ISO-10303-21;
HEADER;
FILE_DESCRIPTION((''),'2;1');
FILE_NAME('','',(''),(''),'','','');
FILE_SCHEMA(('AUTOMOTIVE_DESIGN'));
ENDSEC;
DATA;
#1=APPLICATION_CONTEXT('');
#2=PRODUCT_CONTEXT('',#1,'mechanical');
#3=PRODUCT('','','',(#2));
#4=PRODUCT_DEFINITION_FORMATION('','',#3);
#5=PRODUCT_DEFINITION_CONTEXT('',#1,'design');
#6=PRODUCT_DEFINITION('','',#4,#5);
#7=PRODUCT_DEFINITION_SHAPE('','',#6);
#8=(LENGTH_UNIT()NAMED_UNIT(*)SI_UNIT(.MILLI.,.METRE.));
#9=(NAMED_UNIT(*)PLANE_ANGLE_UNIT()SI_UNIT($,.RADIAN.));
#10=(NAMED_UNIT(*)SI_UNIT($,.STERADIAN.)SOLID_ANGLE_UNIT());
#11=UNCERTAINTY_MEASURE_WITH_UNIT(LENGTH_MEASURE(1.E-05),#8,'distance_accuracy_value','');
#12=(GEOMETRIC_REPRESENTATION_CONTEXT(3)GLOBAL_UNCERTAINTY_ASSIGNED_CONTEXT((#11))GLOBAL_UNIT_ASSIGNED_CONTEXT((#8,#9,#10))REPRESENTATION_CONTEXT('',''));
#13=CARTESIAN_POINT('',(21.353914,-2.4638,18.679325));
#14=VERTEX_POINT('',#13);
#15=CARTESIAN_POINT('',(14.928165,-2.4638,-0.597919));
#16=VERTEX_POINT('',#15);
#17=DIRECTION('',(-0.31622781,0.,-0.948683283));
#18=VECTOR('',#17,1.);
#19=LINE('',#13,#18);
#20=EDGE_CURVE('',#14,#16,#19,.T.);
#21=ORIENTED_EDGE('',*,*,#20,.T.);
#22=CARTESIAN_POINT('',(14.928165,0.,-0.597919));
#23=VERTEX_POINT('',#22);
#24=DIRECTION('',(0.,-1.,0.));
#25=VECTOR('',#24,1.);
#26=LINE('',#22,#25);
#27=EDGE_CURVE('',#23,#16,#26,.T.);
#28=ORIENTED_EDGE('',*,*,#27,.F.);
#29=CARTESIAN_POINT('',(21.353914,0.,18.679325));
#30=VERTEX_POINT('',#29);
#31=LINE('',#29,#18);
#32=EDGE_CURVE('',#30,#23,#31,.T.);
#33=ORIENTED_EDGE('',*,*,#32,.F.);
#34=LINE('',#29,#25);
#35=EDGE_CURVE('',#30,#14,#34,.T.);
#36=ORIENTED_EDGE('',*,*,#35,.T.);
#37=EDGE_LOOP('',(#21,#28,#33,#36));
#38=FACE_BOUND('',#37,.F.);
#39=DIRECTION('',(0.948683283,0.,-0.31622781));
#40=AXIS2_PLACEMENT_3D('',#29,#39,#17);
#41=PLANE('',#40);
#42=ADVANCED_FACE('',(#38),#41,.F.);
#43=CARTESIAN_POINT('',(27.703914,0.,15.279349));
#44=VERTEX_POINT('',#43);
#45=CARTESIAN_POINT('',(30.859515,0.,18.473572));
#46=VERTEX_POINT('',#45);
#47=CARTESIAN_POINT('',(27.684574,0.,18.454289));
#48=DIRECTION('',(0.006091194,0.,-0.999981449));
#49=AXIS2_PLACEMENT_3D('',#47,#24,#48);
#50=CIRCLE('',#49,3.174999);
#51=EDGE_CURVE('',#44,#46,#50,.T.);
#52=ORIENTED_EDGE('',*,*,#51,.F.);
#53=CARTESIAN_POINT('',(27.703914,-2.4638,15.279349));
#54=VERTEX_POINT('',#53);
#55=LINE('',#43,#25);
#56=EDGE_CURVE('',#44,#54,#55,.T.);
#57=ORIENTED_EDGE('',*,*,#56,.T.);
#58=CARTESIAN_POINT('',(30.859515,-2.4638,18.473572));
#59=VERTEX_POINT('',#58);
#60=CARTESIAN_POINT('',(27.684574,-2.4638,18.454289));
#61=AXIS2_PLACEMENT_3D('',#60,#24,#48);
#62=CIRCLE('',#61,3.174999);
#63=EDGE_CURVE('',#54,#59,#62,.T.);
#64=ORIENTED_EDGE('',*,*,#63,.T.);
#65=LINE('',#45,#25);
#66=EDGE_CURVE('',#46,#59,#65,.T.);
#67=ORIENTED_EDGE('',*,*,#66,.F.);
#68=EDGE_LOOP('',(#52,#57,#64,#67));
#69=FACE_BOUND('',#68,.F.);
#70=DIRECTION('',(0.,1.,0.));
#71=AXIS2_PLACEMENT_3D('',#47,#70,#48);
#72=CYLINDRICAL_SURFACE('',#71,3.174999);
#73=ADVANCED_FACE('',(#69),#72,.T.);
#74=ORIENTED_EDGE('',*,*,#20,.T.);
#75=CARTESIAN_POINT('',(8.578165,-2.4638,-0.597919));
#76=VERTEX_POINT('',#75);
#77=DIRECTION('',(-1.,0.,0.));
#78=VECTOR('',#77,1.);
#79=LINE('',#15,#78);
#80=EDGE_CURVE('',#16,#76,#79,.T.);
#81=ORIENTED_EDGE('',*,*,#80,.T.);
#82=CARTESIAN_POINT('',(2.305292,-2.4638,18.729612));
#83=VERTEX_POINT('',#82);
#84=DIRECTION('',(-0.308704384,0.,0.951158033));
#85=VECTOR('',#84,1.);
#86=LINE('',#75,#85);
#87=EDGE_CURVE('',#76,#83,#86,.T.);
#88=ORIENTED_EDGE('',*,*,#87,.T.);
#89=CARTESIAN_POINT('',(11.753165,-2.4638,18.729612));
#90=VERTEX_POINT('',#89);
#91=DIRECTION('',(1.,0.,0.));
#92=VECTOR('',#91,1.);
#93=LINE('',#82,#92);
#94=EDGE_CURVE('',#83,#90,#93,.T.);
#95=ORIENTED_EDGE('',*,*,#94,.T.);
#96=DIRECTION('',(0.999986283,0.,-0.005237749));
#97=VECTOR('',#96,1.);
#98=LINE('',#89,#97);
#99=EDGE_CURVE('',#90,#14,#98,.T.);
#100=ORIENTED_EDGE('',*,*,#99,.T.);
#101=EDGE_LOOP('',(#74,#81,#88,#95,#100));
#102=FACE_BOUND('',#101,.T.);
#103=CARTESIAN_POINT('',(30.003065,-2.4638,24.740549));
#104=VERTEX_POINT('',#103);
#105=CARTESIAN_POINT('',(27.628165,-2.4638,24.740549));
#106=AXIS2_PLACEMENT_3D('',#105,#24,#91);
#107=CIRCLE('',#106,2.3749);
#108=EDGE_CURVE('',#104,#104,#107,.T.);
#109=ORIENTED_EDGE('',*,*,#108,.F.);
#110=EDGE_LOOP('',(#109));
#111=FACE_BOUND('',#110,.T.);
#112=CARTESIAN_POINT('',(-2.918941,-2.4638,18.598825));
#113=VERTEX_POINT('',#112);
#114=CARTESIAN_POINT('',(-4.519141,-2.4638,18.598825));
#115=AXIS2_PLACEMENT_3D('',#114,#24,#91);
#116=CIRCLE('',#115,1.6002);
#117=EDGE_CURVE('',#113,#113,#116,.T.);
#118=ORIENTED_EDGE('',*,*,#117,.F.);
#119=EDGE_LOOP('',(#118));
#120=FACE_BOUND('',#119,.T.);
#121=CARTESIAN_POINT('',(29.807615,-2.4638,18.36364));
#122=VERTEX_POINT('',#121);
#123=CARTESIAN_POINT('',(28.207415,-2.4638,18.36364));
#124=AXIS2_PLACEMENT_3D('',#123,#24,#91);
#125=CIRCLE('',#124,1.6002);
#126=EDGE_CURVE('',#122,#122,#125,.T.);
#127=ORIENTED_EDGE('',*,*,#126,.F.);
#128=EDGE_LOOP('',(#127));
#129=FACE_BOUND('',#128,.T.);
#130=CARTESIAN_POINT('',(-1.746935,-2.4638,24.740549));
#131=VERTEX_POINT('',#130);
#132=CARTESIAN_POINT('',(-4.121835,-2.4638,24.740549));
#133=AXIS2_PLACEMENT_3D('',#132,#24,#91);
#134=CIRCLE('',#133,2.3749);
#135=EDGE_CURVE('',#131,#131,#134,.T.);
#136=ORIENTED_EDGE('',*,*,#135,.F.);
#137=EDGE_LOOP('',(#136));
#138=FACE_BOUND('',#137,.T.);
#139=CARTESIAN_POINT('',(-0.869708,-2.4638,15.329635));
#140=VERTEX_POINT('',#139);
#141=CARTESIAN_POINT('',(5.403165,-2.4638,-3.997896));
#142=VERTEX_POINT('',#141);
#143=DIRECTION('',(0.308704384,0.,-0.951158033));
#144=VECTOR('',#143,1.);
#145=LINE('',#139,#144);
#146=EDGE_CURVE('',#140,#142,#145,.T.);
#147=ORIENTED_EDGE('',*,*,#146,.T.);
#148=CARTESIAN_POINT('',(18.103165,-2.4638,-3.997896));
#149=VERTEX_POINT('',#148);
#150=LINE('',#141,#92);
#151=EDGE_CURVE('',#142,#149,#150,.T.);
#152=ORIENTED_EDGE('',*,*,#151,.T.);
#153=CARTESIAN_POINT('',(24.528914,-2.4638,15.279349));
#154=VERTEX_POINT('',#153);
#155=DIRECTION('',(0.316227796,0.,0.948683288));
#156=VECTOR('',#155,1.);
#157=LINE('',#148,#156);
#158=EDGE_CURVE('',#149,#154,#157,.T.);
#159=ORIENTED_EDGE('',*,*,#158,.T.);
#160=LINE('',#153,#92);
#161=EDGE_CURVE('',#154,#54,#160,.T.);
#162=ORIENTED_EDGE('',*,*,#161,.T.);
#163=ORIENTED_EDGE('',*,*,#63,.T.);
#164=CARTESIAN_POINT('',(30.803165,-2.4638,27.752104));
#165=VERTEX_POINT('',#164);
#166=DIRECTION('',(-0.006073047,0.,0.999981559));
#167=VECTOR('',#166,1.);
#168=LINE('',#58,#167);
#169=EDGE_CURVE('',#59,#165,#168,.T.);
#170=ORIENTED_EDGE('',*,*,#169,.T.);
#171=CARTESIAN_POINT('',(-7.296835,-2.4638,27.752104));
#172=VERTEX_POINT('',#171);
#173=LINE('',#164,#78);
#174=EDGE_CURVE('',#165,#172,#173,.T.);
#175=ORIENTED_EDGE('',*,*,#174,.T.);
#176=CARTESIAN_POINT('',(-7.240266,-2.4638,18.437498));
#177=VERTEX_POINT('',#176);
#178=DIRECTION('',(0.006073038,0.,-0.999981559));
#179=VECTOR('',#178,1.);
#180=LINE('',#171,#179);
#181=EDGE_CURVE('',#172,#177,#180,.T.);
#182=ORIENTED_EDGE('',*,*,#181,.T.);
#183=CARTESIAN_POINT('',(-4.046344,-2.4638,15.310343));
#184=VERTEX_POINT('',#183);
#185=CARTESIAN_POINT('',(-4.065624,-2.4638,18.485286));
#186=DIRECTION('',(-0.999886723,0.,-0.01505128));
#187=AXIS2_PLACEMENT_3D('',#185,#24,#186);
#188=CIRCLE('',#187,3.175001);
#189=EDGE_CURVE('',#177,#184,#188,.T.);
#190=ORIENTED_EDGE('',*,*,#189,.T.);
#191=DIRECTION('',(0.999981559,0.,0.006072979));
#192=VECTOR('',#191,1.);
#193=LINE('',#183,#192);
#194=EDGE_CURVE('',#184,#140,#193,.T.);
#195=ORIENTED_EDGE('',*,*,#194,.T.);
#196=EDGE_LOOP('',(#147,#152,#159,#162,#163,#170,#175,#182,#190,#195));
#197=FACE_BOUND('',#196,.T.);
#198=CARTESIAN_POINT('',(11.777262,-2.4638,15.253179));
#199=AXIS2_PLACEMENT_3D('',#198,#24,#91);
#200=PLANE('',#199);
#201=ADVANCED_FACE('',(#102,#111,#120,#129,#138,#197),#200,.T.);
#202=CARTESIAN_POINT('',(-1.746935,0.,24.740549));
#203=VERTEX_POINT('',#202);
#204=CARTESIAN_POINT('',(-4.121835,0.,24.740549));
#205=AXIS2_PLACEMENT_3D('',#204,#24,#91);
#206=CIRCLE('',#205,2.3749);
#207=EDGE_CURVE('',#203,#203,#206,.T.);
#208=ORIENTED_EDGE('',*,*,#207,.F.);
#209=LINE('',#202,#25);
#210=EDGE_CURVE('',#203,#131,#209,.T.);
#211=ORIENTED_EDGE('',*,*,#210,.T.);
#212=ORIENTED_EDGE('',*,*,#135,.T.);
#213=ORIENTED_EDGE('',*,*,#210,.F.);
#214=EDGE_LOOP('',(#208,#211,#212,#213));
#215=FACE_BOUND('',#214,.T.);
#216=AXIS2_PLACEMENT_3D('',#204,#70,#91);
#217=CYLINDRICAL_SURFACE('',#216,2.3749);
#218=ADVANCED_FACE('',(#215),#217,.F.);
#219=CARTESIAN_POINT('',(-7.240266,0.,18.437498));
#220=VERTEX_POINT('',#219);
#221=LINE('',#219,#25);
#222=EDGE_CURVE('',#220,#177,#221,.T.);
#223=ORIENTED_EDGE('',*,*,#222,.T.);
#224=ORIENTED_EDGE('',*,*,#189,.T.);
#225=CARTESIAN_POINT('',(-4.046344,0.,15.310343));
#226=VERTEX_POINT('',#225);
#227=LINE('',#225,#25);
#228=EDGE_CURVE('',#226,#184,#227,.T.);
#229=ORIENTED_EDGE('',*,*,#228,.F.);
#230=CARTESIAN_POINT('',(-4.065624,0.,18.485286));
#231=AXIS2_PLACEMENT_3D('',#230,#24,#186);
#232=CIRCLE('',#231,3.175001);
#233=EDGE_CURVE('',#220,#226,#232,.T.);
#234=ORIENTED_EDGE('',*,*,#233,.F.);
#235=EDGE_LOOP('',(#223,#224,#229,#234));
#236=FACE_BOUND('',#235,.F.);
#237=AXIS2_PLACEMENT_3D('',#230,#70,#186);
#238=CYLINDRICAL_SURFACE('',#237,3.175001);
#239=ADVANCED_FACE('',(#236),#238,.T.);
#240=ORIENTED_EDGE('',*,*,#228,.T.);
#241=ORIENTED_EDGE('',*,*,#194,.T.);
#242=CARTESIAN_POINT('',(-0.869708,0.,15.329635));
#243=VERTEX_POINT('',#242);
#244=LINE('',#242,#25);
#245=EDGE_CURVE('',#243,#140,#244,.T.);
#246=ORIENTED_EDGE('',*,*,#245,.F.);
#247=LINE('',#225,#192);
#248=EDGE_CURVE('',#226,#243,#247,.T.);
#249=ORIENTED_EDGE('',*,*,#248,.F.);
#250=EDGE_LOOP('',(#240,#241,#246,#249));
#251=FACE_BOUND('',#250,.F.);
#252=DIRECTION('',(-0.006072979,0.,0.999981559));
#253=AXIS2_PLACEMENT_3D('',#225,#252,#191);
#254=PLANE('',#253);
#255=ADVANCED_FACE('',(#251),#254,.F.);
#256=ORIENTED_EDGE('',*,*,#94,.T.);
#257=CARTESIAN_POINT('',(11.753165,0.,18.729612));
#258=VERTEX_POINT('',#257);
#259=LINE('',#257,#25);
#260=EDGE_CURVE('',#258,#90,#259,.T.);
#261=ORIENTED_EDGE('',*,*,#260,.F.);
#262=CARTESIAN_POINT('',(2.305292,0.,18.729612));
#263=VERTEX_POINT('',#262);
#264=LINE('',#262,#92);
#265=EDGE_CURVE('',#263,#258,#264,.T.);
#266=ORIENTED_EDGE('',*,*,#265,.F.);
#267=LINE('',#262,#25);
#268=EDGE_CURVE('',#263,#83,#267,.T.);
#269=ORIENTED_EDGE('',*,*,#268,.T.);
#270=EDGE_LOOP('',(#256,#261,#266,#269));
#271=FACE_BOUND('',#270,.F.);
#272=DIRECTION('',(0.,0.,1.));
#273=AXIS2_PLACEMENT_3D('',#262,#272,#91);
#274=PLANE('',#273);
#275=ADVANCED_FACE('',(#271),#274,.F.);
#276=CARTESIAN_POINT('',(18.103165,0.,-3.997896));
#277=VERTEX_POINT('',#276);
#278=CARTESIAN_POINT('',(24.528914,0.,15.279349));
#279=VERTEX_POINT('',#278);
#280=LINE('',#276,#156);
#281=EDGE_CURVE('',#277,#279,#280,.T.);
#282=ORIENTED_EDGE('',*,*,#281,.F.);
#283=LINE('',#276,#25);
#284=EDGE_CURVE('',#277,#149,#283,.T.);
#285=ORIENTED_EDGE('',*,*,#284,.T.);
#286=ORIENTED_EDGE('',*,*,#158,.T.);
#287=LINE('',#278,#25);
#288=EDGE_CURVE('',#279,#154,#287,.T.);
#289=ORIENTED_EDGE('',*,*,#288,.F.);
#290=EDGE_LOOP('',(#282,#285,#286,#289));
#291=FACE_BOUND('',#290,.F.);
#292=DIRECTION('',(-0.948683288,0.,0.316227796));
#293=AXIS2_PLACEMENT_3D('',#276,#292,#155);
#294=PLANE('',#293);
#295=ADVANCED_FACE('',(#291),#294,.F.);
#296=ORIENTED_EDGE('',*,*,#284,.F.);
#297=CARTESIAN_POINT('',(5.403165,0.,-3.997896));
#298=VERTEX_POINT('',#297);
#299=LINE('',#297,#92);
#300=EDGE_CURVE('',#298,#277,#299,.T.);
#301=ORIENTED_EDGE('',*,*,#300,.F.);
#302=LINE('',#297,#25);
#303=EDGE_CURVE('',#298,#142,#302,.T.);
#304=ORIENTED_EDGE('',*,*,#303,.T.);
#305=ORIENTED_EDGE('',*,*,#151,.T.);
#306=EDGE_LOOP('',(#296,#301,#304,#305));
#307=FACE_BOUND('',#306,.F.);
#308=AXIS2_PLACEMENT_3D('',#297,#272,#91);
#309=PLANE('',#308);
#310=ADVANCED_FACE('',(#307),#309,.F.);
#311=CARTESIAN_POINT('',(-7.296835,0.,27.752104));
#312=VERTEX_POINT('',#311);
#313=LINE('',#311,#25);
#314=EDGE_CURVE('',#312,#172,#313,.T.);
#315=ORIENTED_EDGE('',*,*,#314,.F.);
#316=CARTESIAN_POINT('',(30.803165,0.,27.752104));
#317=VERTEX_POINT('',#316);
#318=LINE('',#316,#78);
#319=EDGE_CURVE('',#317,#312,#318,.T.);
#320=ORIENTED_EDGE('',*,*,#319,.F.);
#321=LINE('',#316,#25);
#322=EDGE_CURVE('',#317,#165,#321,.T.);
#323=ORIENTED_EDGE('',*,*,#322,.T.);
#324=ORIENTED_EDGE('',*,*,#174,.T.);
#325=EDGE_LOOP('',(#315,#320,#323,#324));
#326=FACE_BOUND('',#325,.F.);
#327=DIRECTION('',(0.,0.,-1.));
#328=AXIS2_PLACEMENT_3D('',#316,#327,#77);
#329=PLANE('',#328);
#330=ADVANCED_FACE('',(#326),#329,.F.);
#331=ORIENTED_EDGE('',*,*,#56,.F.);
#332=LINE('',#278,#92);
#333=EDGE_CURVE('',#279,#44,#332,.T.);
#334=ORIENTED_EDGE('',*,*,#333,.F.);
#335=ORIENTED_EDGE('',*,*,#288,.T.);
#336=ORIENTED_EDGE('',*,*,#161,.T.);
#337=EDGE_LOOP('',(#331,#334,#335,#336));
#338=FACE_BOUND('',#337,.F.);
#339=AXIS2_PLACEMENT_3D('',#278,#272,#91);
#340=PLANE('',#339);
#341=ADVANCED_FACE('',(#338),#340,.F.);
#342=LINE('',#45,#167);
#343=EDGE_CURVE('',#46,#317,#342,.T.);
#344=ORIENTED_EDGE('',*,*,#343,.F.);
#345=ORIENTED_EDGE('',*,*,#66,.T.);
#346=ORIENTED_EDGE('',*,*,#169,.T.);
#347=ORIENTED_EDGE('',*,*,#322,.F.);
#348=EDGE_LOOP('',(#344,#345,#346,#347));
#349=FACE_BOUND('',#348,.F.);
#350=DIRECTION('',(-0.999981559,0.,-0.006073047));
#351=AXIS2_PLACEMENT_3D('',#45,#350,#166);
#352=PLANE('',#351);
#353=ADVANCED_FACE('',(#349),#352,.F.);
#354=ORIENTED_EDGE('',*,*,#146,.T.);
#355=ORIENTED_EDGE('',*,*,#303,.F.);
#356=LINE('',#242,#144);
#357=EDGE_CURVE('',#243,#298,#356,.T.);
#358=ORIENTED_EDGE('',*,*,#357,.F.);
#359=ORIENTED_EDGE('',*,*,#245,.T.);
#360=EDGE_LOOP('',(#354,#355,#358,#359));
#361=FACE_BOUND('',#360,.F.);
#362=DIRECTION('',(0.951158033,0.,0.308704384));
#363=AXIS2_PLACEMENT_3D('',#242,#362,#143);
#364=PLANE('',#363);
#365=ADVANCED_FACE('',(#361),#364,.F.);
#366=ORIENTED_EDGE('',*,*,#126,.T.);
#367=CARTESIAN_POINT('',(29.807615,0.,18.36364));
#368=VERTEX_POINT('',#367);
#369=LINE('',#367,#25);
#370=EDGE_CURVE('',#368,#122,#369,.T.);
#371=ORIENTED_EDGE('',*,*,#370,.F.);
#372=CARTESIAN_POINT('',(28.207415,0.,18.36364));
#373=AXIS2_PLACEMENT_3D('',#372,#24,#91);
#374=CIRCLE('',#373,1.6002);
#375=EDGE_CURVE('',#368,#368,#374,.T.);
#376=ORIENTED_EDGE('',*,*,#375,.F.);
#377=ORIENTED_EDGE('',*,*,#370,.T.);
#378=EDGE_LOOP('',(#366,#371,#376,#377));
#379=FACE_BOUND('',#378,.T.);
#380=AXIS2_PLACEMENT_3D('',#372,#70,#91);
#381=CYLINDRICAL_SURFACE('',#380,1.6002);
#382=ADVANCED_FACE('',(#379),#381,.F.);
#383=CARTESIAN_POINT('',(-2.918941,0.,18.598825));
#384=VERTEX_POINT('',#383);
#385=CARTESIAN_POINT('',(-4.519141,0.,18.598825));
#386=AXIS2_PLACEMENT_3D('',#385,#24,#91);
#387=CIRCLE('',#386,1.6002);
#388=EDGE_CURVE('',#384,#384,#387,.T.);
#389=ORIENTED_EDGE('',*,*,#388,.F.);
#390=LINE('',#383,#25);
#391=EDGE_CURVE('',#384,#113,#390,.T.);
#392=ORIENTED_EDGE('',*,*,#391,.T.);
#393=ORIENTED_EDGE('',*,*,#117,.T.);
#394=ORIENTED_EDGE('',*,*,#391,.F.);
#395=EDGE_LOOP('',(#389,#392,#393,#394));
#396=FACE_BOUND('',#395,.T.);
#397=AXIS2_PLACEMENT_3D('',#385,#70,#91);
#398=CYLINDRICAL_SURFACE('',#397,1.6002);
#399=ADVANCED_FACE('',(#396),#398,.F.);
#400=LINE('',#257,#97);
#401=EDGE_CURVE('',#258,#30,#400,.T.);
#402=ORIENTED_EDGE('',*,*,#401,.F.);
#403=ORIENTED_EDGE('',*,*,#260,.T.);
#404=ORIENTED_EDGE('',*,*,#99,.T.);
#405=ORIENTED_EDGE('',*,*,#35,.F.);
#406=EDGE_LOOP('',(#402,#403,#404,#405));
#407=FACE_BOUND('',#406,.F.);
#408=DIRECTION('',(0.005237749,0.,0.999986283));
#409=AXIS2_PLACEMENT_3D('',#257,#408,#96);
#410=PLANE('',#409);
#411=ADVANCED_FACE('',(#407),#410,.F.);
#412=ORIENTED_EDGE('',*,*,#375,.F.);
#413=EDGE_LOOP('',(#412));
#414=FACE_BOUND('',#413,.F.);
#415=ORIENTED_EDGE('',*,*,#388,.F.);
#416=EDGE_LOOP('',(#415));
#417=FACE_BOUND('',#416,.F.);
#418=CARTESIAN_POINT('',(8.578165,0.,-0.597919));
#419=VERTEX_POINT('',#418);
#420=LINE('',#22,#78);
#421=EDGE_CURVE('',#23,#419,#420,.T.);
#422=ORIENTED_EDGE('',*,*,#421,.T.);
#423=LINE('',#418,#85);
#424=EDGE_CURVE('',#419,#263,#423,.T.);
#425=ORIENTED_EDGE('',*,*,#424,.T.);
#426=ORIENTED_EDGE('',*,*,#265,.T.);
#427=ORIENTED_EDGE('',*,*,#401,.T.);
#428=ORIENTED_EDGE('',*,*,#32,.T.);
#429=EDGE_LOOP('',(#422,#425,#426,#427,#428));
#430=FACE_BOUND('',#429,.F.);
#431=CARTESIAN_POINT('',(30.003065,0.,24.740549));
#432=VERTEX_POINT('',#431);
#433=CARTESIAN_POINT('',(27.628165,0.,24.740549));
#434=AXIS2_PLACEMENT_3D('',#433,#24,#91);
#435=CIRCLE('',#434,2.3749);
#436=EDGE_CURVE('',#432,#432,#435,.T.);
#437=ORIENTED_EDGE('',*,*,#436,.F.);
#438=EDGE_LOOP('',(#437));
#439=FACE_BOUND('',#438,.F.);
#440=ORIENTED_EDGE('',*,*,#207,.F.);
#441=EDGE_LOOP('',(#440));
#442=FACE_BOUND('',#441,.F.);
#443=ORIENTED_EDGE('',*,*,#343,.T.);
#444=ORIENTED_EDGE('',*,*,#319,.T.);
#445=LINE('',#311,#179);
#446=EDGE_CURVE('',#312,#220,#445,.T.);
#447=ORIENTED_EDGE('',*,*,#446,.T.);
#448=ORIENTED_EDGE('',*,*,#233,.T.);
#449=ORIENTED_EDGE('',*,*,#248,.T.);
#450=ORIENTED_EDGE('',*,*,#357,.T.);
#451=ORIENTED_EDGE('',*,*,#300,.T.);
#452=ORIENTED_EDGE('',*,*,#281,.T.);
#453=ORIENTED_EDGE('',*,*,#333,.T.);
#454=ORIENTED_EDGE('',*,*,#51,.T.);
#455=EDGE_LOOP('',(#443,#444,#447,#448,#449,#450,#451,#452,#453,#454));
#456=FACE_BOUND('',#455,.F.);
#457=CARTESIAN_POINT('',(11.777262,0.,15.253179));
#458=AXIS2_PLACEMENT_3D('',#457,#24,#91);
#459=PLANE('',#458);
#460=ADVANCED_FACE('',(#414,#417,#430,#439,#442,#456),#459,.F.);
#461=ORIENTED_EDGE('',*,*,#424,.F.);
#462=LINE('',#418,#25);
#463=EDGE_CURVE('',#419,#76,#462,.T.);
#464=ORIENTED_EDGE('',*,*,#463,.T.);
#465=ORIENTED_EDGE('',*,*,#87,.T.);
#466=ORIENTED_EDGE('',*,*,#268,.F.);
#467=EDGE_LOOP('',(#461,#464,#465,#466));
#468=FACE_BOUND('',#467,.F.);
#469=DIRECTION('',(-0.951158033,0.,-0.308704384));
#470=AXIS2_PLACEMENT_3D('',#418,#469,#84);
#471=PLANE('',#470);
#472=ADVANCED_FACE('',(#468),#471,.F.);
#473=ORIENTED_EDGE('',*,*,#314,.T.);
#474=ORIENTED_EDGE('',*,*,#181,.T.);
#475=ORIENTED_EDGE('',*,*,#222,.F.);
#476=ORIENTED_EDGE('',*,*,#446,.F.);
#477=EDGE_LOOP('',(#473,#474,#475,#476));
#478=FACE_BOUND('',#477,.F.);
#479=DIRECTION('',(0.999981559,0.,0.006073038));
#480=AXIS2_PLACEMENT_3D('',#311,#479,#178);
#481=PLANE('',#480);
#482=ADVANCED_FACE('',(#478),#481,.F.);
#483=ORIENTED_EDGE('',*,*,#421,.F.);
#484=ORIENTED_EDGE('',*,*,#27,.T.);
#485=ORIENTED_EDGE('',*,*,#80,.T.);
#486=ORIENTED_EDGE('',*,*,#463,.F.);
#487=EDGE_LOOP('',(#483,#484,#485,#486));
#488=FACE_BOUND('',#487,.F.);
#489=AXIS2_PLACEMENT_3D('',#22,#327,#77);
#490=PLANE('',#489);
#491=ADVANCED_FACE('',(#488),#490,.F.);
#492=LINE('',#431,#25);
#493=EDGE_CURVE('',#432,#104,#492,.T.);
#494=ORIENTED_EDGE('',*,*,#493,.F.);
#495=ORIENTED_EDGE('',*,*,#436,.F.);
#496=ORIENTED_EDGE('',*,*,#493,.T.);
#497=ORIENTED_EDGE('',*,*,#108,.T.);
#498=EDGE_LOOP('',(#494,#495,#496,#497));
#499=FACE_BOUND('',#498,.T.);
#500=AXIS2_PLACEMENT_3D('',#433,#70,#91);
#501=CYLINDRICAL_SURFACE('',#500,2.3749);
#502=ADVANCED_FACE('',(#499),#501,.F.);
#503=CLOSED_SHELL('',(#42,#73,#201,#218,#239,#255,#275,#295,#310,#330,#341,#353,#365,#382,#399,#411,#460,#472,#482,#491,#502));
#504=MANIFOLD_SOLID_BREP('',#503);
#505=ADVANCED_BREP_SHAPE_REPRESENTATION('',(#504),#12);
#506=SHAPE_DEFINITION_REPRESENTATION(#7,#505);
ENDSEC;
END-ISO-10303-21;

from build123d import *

# Parameters (mm, degrees)
F0_R     = 1.6002
F0_R_2   = 2.3749
F1_DEPTH = 2.4638


with BuildPart() as f1:
    # F0 (on Front) → F1 (new body)
    with BuildSketch(Plane.XZ):
        with BuildLine():
            Line((30.803165, 27.752104), (-7.296835, 27.752104))
            Line((-7.296835, 27.752104), (-7.240266, 18.437498))
            ThreePointArc((-7.240266, 18.437498), (-6.286852, 16.216634), (-4.046344, 15.310343))
            Line((-4.046344, 15.310343), (-0.869708, 15.329635))
            Line((-0.869708, 15.329635), (5.403165, -3.997896))
            Line((5.403165, -3.997896), (11.753165, -3.997896))
            Line((11.753165, -3.997896), (18.103165, -3.997896))
            Line((18.103165, -3.997896), (24.528914, 15.279349))
            Line((24.528914, 15.279349), (27.703914, 15.279349))
            ThreePointArc((27.703914, 15.279349), (29.943251, 16.222922), (30.859515, 18.473572))
            Line((30.859515, 18.473572), (30.803165, 27.752104))
        make_face()
        Polygon((14.928165, -0.597919), (11.753165, -0.597919), (8.578165, -0.597919), (2.305292, 18.729612), (11.753165, 18.729612), (21.353914, 18.679325), align=None, mode=Mode.SUBTRACT)
        with Locations((-4.519141, 18.598825)):
            Circle(F0_R, mode=Mode.SUBTRACT)
        with Locations((-4.121835, 24.740549)):
            Circle(F0_R_2, mode=Mode.SUBTRACT)
        with Locations((28.207415, 18.36364)):
            Circle(F0_R, mode=Mode.SUBTRACT)
        with Locations((27.628165, 24.740549)):
            Circle(F0_R_2, mode=Mode.SUBTRACT)
    extrude(amount=F1_DEPTH)


solid = f1.part
